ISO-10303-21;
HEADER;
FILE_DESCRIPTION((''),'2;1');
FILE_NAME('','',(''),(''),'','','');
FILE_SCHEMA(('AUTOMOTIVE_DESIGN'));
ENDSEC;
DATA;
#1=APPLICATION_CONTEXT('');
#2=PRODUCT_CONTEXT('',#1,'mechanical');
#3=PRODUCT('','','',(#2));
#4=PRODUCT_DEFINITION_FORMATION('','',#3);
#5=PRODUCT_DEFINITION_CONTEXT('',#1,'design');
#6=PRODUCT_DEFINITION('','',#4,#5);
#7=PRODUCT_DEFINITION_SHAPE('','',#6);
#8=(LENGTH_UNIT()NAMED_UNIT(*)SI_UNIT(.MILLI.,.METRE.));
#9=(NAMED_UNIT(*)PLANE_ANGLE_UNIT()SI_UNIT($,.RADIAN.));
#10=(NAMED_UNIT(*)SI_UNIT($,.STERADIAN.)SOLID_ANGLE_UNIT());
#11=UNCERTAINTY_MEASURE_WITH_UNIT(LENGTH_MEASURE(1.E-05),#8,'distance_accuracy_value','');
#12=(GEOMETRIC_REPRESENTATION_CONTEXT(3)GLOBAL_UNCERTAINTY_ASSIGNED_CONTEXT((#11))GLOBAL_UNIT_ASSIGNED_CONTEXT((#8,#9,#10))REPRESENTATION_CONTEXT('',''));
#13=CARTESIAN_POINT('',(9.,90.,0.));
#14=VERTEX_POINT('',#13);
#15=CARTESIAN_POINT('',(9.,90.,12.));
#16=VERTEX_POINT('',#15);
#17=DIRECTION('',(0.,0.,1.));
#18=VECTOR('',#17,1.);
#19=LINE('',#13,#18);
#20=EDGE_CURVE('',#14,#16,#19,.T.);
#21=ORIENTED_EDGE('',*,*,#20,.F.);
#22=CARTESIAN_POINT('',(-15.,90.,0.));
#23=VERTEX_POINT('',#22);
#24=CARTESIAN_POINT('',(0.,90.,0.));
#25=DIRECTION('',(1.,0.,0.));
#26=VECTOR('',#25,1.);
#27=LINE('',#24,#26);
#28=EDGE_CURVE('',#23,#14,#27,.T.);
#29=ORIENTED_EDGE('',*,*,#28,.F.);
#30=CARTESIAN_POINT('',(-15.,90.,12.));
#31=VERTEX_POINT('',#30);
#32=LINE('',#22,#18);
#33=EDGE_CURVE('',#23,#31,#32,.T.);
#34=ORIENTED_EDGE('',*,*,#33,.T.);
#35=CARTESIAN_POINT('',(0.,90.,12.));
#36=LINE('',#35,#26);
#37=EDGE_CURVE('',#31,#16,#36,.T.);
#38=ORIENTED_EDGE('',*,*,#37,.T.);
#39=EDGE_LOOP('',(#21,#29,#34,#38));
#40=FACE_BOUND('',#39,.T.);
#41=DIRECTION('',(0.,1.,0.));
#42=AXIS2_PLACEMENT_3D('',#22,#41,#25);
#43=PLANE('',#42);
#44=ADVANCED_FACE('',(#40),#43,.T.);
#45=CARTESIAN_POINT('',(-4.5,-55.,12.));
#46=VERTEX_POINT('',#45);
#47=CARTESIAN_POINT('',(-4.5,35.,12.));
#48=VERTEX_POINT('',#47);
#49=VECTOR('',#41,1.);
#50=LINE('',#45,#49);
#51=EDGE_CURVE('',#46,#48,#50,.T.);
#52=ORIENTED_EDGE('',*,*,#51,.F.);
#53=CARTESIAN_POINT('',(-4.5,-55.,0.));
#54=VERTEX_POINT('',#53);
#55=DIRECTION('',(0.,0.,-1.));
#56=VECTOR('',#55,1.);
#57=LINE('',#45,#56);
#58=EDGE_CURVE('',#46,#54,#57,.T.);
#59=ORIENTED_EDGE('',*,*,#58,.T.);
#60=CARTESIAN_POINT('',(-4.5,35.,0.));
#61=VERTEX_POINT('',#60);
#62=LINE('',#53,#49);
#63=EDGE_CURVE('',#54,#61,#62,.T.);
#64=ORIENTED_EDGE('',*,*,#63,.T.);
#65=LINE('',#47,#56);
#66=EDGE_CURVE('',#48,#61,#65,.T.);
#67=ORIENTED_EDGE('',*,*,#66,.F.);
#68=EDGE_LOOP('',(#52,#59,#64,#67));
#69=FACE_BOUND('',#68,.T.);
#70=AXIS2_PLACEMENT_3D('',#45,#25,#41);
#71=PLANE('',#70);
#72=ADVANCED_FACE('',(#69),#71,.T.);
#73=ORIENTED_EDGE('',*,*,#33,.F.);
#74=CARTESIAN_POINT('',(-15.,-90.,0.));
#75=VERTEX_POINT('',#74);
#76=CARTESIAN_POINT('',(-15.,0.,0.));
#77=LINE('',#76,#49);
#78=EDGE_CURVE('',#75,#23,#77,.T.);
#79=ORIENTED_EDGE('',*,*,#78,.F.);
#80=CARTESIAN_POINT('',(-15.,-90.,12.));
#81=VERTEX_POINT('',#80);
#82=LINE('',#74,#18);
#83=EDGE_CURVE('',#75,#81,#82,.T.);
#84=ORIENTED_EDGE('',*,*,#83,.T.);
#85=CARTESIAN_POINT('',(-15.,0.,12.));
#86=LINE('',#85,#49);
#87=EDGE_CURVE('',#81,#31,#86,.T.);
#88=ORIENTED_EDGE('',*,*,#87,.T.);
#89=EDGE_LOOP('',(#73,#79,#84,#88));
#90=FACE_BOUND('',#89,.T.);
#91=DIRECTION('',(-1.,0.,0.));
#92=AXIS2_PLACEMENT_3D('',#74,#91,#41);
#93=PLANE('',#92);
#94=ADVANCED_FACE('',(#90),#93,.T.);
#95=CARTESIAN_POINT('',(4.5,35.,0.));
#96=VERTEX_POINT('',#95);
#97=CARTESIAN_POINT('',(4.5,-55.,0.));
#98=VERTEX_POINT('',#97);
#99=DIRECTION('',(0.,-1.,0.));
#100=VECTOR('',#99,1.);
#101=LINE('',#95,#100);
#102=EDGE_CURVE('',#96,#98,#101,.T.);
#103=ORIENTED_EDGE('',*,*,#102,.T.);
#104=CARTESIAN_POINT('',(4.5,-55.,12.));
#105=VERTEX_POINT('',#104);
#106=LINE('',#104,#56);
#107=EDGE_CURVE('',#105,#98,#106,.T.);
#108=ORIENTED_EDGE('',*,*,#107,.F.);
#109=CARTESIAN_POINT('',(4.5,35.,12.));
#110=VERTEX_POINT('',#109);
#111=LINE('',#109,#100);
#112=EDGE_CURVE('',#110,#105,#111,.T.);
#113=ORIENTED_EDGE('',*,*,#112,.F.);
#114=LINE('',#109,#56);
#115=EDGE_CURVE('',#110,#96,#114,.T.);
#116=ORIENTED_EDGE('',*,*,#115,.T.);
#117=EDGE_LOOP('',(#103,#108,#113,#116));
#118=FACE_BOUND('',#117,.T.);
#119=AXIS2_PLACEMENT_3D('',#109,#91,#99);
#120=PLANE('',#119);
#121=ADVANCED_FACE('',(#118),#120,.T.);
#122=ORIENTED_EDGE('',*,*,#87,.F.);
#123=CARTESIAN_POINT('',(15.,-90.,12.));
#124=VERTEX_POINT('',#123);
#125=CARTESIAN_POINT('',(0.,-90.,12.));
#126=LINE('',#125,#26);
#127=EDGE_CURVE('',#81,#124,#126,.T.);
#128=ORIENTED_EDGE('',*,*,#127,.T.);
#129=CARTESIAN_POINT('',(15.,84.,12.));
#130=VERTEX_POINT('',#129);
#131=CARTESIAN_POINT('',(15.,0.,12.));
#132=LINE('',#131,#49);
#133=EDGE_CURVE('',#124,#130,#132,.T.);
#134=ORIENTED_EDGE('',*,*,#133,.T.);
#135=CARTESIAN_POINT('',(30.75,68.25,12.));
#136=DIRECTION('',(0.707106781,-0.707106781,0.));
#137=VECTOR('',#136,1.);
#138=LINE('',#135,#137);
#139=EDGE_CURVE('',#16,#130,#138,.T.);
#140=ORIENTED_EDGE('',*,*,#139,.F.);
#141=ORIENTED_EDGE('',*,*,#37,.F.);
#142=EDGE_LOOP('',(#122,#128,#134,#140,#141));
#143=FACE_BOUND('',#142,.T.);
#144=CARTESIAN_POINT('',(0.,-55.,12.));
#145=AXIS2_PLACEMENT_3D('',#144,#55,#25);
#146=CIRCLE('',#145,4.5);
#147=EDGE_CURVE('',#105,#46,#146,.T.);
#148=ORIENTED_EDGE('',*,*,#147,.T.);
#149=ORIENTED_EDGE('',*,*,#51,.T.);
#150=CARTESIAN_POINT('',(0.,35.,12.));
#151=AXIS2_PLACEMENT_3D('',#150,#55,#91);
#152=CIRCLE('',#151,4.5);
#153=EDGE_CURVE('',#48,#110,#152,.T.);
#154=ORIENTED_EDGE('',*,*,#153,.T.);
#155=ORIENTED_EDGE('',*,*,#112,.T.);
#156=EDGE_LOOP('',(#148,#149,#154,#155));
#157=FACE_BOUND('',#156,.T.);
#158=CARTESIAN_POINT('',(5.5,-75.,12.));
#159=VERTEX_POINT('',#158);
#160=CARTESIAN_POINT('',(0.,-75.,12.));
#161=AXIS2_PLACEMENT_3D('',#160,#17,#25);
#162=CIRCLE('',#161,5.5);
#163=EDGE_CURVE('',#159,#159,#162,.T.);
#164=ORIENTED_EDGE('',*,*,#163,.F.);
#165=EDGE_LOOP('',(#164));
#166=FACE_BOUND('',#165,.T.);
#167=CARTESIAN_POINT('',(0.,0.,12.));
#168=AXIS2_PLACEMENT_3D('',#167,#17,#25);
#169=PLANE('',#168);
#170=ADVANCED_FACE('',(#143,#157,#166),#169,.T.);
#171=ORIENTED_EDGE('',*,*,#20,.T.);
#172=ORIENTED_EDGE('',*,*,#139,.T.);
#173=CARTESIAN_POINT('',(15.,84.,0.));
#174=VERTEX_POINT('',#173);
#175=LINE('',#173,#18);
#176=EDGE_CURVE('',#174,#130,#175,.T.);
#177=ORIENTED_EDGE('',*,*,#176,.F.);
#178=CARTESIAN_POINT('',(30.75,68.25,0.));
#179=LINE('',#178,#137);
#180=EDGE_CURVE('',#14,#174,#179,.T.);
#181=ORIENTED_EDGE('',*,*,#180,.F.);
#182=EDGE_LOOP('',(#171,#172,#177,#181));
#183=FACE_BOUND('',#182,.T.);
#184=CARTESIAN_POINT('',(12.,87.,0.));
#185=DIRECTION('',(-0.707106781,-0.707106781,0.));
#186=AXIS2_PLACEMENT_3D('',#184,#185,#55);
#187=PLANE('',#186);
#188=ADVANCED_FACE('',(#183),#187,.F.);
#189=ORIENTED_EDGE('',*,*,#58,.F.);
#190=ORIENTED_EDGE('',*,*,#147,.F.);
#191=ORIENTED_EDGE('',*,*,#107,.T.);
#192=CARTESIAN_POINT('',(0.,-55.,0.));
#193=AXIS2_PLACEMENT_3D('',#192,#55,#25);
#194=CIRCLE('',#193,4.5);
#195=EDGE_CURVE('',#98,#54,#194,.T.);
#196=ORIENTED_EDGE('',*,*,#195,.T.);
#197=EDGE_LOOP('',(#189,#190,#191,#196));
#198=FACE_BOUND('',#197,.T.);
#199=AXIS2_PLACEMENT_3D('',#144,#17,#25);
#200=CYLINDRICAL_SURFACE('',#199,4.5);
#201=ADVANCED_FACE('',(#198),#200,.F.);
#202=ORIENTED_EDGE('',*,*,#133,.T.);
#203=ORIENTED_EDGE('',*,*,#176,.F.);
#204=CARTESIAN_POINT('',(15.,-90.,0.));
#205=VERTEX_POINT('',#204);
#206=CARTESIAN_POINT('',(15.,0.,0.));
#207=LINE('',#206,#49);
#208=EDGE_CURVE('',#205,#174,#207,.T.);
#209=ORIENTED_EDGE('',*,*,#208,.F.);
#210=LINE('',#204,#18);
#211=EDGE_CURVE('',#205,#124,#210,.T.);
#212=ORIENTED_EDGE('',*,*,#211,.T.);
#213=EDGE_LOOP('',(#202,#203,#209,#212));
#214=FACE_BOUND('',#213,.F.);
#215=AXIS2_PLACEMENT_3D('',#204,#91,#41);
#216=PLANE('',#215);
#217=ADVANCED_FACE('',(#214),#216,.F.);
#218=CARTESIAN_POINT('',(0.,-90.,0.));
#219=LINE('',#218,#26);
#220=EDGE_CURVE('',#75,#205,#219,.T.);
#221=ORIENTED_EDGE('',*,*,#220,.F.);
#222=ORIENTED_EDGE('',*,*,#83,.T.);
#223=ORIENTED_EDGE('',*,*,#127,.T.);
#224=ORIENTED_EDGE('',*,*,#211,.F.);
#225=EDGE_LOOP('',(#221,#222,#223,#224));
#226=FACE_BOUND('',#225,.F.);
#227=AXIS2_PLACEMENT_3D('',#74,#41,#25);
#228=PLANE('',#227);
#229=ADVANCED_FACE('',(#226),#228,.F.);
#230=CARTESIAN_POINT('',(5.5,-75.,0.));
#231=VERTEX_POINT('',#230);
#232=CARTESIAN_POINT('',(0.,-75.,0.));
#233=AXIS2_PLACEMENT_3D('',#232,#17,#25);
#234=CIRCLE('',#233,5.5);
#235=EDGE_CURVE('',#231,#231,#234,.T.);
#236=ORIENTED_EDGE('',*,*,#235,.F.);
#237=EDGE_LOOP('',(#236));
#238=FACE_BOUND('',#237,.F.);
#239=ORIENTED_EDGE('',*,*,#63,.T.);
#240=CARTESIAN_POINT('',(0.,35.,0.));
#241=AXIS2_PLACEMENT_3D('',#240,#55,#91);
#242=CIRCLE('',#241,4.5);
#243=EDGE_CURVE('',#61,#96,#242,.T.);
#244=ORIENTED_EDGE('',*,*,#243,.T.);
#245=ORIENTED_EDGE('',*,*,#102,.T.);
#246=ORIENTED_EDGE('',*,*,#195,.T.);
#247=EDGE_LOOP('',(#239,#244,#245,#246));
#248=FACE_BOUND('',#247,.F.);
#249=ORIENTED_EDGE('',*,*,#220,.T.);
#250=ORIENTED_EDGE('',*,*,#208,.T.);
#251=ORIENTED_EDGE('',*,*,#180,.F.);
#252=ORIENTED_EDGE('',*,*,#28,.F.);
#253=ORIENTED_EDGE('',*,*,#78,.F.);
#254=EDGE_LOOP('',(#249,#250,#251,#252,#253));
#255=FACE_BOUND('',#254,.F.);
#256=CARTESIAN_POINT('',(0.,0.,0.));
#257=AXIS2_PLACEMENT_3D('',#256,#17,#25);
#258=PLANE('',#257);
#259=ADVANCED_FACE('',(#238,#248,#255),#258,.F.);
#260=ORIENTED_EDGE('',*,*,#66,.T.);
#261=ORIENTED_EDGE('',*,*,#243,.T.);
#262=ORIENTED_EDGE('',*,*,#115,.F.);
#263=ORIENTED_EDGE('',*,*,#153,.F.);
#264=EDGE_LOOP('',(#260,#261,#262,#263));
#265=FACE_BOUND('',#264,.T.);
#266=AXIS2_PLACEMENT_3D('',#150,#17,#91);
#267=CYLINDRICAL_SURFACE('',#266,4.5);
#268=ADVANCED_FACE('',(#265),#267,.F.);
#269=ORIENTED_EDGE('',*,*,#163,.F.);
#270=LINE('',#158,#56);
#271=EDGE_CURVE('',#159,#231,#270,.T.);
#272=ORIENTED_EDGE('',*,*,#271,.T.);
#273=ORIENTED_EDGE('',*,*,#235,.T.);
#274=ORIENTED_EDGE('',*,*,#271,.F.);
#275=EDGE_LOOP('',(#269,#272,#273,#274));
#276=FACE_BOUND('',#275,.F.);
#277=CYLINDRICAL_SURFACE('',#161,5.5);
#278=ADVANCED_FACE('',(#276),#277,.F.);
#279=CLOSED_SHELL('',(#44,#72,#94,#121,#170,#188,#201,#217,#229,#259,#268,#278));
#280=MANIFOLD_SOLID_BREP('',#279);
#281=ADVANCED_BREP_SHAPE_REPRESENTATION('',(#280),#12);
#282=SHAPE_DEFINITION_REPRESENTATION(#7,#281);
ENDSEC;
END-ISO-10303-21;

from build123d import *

# Parameters (mm, degrees)
SKETCH_1_W          = 30
SKETCH_1_H          = 180
EXTRUDE_1_DEPTH     = 12
SKETCH_2_R          = 5.5
CUT_EXTRUDE_1_DEPTH = 12
CHAMFER_1_SIZE      = 6


with BuildPart() as part:
    # 草图1 → 凸台-拉伸1 (new body)
    with BuildSketch(Plane.XY):
        Rectangle(SKETCH_1_W, SKETCH_1_H)
    extrude(amount=EXTRUDE_1_DEPTH)

    # 草图2 → 切除-拉伸1 (cut)
    with BuildSketch(Plane.XY.offset(12)):
        with Locations((0, -75)):
            Circle(SKETCH_2_R)
        with BuildLine():
            Line((4.5, 35), (4.5, -55))
            ThreePointArc((4.5, -55), (0, -59.5), (-4.5, -55))
            Line((-4.5, -55), (-4.5, 35))
            ThreePointArc((-4.5, 35), (0, 39.5), (4.5, 35))
        make_face()
    extrude(amount=-CUT_EXTRUDE_1_DEPTH, mode=Mode.SUBTRACT)

    # 倒角1
    chamfer_1_edges = [part.edges().sort_by_distance(p)[0] for p in [
        (15, 90, 6),
    ]]
    chamfer(chamfer_1_edges, length=CHAMFER_1_SIZE)


solid = part.part
